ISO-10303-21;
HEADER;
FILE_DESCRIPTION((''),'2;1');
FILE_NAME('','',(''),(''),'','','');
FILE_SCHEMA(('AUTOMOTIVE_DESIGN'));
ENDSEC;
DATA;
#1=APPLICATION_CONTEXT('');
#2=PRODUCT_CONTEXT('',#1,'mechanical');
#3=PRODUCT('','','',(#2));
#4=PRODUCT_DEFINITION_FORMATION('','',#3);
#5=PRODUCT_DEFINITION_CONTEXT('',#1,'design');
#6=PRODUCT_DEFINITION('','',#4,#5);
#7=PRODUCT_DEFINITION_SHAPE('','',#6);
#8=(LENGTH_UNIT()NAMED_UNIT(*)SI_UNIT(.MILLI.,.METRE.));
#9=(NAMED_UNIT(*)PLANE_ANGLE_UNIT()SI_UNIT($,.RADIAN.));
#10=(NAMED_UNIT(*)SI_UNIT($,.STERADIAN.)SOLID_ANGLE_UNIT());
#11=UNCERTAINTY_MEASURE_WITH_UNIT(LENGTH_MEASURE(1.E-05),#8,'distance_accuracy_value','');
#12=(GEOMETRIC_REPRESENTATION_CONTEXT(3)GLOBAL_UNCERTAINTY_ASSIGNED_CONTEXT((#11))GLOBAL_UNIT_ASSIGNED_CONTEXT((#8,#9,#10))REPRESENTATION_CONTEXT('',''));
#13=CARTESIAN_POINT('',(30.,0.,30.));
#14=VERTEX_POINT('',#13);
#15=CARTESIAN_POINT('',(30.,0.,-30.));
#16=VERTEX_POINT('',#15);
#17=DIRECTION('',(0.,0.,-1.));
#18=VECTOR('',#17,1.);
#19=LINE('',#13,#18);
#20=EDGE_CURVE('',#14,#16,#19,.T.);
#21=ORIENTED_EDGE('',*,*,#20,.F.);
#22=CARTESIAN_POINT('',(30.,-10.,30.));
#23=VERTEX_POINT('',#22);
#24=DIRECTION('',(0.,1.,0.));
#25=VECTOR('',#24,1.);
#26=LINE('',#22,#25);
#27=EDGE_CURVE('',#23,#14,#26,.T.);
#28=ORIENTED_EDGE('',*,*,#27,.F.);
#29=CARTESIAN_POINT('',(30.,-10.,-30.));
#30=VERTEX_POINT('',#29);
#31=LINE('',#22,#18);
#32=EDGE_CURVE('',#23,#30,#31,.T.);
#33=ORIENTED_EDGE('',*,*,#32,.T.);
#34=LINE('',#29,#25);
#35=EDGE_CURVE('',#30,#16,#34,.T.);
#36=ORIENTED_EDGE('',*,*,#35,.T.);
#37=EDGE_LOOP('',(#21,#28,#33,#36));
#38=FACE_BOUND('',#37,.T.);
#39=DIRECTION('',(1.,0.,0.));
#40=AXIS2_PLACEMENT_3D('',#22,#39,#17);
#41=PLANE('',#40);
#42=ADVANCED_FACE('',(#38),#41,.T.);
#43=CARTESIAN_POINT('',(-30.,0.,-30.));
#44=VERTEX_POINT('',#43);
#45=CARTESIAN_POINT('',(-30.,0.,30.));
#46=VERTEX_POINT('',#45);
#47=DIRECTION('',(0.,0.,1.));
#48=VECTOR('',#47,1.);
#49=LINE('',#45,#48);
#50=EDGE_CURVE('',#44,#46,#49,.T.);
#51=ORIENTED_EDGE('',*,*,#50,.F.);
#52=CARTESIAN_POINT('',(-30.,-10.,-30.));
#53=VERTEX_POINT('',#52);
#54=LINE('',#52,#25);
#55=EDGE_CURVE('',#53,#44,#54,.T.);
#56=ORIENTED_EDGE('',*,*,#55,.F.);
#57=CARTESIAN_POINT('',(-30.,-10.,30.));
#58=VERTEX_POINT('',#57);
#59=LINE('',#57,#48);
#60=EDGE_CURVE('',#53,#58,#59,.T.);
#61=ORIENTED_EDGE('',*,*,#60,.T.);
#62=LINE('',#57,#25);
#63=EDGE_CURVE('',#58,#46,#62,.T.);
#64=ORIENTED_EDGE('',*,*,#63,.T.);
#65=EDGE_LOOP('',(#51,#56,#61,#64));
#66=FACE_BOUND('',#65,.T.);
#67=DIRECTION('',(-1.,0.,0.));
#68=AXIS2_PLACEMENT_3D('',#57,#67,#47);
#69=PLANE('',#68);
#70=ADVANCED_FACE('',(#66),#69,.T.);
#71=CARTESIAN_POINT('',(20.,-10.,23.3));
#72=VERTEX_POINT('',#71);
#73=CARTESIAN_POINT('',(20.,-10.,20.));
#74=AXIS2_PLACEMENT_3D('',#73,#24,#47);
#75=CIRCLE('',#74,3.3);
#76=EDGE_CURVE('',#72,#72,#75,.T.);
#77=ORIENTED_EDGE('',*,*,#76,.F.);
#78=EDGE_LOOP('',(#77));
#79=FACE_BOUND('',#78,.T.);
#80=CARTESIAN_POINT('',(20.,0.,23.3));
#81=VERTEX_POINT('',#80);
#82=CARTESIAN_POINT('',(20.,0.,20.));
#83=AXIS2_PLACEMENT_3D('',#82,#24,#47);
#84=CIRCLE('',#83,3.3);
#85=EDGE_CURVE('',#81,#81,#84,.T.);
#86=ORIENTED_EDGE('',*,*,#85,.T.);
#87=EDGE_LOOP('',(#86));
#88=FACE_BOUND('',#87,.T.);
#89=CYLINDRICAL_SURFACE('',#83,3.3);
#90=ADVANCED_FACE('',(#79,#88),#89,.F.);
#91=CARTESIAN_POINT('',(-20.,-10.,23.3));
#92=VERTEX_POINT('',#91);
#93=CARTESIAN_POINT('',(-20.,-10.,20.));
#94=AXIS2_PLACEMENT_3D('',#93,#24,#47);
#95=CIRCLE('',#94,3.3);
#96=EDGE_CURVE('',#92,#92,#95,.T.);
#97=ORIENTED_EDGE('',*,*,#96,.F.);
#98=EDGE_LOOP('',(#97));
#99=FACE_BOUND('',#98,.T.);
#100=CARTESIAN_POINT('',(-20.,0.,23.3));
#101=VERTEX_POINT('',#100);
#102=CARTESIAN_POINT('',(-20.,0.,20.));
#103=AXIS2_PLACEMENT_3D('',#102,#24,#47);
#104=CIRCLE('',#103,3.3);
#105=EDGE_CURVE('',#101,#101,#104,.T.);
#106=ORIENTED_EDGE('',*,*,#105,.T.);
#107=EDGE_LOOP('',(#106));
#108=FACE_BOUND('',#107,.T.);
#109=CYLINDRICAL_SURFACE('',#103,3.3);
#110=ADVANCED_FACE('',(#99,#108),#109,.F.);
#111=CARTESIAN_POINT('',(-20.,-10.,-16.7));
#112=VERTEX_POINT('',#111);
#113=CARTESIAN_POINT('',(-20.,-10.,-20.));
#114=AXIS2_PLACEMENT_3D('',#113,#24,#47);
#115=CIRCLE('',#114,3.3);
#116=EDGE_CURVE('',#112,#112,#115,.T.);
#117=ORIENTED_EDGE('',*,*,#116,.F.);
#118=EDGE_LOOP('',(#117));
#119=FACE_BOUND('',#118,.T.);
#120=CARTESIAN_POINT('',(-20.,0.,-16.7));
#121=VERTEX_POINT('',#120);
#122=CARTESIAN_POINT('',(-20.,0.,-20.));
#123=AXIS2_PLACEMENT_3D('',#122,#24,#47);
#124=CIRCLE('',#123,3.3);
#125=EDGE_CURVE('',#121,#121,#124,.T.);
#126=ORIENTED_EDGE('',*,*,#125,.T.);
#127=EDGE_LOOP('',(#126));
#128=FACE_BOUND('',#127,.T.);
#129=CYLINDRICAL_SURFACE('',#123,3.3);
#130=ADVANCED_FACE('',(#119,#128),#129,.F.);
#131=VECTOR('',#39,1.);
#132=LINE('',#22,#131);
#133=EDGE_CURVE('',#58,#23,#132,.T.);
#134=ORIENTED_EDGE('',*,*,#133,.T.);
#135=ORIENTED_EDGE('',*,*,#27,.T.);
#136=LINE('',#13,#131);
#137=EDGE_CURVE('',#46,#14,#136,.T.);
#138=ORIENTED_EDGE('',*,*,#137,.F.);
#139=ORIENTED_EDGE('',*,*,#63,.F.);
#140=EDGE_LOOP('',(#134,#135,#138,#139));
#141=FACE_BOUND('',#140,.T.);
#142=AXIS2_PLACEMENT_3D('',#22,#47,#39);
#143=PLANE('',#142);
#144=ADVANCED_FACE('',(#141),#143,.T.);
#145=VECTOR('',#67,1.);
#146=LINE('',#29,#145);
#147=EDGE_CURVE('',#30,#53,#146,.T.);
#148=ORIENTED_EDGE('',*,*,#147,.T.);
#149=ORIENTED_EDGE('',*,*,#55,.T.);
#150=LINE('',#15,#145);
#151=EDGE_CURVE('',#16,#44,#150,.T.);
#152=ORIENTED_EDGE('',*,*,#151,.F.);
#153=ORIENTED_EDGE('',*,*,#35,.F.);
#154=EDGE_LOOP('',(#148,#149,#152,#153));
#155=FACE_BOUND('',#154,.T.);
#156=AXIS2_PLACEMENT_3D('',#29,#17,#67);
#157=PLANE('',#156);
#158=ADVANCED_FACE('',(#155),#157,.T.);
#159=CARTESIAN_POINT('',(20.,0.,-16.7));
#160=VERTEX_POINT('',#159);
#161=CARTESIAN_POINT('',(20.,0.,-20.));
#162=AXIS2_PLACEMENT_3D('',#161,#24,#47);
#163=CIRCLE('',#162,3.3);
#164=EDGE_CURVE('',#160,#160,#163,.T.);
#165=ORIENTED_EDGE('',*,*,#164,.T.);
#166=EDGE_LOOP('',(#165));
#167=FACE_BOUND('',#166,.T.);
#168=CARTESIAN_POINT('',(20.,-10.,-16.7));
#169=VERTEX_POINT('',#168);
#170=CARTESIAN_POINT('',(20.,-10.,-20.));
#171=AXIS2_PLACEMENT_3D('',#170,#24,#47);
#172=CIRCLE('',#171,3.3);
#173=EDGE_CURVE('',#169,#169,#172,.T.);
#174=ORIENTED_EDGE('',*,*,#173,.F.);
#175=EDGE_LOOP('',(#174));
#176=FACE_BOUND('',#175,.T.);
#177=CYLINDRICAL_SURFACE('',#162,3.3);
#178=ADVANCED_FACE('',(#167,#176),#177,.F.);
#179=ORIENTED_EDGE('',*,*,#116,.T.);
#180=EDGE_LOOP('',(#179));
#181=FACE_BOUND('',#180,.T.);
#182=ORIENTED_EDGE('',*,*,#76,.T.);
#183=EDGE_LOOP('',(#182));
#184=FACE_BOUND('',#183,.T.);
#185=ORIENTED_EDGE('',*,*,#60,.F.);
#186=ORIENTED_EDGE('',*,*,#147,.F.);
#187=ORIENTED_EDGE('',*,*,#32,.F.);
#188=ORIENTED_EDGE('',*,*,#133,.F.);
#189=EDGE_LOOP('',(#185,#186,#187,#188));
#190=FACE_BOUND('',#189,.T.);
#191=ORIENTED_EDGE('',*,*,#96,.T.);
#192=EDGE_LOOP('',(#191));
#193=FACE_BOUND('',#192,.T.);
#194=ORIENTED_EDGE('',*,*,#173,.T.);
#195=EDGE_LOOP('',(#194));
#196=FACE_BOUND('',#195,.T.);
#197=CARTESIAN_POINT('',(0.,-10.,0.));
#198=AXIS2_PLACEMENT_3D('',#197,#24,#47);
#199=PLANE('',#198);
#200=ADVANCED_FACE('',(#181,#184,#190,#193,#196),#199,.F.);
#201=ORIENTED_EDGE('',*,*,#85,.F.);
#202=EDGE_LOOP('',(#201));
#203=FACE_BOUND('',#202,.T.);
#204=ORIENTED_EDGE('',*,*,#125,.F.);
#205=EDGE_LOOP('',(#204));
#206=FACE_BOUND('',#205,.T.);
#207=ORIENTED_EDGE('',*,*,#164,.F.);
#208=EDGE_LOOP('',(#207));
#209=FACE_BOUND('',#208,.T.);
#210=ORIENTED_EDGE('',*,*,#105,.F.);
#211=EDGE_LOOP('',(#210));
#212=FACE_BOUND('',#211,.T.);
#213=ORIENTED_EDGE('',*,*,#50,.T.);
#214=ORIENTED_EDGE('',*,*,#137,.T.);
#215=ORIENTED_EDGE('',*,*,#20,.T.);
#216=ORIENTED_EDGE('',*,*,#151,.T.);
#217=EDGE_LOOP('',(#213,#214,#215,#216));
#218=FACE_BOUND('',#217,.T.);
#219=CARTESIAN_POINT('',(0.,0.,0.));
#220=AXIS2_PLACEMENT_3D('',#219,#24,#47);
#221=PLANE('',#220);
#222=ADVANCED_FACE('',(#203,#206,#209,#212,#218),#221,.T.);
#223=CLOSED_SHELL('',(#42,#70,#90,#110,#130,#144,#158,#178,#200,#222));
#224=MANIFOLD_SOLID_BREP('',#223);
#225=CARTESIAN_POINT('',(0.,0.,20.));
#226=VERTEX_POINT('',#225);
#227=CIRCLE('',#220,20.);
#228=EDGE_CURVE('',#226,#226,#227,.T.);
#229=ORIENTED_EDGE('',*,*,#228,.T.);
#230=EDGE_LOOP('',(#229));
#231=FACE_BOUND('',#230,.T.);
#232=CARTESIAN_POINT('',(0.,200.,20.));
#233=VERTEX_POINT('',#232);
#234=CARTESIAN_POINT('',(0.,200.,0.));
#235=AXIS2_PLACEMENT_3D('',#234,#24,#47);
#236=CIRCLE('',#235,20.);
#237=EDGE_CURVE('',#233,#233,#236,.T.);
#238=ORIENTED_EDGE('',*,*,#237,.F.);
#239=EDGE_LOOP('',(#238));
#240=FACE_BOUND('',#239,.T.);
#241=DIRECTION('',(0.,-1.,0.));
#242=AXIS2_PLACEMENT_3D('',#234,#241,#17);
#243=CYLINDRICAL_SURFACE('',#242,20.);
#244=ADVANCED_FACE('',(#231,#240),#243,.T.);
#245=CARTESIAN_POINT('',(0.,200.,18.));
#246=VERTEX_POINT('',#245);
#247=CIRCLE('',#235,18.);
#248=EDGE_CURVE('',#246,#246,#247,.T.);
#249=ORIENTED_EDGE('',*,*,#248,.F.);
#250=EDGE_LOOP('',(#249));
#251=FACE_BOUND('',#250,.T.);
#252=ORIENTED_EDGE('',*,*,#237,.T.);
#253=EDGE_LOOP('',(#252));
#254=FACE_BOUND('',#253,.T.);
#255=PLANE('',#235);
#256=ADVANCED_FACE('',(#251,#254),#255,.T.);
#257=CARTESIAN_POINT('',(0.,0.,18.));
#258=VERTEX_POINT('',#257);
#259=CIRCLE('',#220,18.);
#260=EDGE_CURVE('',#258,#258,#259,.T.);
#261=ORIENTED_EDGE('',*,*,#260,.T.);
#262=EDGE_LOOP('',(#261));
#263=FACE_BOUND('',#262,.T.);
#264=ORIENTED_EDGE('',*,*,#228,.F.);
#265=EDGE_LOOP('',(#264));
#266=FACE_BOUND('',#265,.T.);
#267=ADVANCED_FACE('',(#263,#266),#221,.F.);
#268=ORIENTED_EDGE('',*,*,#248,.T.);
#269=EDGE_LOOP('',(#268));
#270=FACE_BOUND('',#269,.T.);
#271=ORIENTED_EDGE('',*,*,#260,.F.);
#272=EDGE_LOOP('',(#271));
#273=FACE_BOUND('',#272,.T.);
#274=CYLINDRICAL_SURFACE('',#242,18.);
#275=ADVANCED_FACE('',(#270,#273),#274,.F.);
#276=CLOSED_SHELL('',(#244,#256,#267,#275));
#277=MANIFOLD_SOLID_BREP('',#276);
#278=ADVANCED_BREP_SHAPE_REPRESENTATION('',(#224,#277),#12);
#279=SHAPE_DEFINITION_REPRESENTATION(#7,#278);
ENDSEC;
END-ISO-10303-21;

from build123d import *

# Parameters (mm, degrees)
SKETCH1_R                     = 20
SKETCH1_R_2                   = 18
BOSS_EXTRUDE1_DEPTH           = 200
SKETCH2_W                     = 60
SKETCH2_H                     = 60
BOSS_EXTRUDE2_DEPTH           = 10
SKETCH5_W                     = 3.3
SKETCH5_H                     = 10
M6_CLEARANCE_HOLE1_AT_2_COUNT = 2
M6_CLEARANCE_HOLE1_AT_2_PITCH = 40
M6_CLEARANCE_HOLE1_AT_3_COUNT = 2
M6_CLEARANCE_HOLE1_AT_3_PITCH = 56.568542495
M6_CLEARANCE_HOLE1_AT_4_COUNT = 2
M6_CLEARANCE_HOLE1_AT_4_PITCH = 40


with BuildPart() as part:
    # Sketch1 → Boss-Extrude1 (new body)
    with BuildSketch(Plane(origin=(0, 0, 0), x_dir=(1, 0, 0), z_dir=(0, 1, 0))):
        Circle(SKETCH1_R)
        Circle(SKETCH1_R_2, mode=Mode.SUBTRACT)
    extrude(amount=BOSS_EXTRUDE1_DEPTH)


with BuildPart() as body_2:
    # Sketch2 → Boss-Extrude2 (new body)
    with BuildSketch(Plane(origin=(0, 0, 0), x_dir=(1, 0, 0), z_dir=(0, 1, 0))):
        Rectangle(SKETCH2_W, SKETCH2_H)
    extrude(amount=-BOSS_EXTRUDE2_DEPTH)

    # Sketch5 → M6 Clearance Hole1 (revolve, cut)
    with BuildSketch(Plane(origin=(20, 0, -20), x_dir=(0, 0, 1), z_dir=(1, 0, 0))):
        with Locations((1.65, 5)):
            Rectangle(SKETCH5_W, SKETCH5_H)
    m6_clearance_hole1 = revolve(axis=Axis((20, 6.35, -20), (0, -1, 0)), mode=Mode.SUBTRACT)

    # M6 Clearance Hole1 at 2: M6 Clearance Hole1 ×2
    with Locations(*[(-i * M6_CLEARANCE_HOLE1_AT_2_PITCH, 0, 0) for i in range(1, M6_CLEARANCE_HOLE1_AT_2_COUNT)]):
        add(m6_clearance_hole1, mode=Mode.SUBTRACT)

    # M6 Clearance Hole1 at 3: M6 Clearance Hole1 ×2
    with Locations(*[Vector(-0.707106781, 0, 0.707106781) * (i * M6_CLEARANCE_HOLE1_AT_3_PITCH) for i in range(1, M6_CLEARANCE_HOLE1_AT_3_COUNT)]):
        add(m6_clearance_hole1, mode=Mode.SUBTRACT)

    # M6 Clearance Hole1 at 4: M6 Clearance Hole1 ×2
    with Locations(*[(0, 0, i * M6_CLEARANCE_HOLE1_AT_4_PITCH) for i in range(1, M6_CLEARANCE_HOLE1_AT_4_COUNT)]):
        add(m6_clearance_hole1, mode=Mode.SUBTRACT)


solid = Compound([part.part, body_2.part])
